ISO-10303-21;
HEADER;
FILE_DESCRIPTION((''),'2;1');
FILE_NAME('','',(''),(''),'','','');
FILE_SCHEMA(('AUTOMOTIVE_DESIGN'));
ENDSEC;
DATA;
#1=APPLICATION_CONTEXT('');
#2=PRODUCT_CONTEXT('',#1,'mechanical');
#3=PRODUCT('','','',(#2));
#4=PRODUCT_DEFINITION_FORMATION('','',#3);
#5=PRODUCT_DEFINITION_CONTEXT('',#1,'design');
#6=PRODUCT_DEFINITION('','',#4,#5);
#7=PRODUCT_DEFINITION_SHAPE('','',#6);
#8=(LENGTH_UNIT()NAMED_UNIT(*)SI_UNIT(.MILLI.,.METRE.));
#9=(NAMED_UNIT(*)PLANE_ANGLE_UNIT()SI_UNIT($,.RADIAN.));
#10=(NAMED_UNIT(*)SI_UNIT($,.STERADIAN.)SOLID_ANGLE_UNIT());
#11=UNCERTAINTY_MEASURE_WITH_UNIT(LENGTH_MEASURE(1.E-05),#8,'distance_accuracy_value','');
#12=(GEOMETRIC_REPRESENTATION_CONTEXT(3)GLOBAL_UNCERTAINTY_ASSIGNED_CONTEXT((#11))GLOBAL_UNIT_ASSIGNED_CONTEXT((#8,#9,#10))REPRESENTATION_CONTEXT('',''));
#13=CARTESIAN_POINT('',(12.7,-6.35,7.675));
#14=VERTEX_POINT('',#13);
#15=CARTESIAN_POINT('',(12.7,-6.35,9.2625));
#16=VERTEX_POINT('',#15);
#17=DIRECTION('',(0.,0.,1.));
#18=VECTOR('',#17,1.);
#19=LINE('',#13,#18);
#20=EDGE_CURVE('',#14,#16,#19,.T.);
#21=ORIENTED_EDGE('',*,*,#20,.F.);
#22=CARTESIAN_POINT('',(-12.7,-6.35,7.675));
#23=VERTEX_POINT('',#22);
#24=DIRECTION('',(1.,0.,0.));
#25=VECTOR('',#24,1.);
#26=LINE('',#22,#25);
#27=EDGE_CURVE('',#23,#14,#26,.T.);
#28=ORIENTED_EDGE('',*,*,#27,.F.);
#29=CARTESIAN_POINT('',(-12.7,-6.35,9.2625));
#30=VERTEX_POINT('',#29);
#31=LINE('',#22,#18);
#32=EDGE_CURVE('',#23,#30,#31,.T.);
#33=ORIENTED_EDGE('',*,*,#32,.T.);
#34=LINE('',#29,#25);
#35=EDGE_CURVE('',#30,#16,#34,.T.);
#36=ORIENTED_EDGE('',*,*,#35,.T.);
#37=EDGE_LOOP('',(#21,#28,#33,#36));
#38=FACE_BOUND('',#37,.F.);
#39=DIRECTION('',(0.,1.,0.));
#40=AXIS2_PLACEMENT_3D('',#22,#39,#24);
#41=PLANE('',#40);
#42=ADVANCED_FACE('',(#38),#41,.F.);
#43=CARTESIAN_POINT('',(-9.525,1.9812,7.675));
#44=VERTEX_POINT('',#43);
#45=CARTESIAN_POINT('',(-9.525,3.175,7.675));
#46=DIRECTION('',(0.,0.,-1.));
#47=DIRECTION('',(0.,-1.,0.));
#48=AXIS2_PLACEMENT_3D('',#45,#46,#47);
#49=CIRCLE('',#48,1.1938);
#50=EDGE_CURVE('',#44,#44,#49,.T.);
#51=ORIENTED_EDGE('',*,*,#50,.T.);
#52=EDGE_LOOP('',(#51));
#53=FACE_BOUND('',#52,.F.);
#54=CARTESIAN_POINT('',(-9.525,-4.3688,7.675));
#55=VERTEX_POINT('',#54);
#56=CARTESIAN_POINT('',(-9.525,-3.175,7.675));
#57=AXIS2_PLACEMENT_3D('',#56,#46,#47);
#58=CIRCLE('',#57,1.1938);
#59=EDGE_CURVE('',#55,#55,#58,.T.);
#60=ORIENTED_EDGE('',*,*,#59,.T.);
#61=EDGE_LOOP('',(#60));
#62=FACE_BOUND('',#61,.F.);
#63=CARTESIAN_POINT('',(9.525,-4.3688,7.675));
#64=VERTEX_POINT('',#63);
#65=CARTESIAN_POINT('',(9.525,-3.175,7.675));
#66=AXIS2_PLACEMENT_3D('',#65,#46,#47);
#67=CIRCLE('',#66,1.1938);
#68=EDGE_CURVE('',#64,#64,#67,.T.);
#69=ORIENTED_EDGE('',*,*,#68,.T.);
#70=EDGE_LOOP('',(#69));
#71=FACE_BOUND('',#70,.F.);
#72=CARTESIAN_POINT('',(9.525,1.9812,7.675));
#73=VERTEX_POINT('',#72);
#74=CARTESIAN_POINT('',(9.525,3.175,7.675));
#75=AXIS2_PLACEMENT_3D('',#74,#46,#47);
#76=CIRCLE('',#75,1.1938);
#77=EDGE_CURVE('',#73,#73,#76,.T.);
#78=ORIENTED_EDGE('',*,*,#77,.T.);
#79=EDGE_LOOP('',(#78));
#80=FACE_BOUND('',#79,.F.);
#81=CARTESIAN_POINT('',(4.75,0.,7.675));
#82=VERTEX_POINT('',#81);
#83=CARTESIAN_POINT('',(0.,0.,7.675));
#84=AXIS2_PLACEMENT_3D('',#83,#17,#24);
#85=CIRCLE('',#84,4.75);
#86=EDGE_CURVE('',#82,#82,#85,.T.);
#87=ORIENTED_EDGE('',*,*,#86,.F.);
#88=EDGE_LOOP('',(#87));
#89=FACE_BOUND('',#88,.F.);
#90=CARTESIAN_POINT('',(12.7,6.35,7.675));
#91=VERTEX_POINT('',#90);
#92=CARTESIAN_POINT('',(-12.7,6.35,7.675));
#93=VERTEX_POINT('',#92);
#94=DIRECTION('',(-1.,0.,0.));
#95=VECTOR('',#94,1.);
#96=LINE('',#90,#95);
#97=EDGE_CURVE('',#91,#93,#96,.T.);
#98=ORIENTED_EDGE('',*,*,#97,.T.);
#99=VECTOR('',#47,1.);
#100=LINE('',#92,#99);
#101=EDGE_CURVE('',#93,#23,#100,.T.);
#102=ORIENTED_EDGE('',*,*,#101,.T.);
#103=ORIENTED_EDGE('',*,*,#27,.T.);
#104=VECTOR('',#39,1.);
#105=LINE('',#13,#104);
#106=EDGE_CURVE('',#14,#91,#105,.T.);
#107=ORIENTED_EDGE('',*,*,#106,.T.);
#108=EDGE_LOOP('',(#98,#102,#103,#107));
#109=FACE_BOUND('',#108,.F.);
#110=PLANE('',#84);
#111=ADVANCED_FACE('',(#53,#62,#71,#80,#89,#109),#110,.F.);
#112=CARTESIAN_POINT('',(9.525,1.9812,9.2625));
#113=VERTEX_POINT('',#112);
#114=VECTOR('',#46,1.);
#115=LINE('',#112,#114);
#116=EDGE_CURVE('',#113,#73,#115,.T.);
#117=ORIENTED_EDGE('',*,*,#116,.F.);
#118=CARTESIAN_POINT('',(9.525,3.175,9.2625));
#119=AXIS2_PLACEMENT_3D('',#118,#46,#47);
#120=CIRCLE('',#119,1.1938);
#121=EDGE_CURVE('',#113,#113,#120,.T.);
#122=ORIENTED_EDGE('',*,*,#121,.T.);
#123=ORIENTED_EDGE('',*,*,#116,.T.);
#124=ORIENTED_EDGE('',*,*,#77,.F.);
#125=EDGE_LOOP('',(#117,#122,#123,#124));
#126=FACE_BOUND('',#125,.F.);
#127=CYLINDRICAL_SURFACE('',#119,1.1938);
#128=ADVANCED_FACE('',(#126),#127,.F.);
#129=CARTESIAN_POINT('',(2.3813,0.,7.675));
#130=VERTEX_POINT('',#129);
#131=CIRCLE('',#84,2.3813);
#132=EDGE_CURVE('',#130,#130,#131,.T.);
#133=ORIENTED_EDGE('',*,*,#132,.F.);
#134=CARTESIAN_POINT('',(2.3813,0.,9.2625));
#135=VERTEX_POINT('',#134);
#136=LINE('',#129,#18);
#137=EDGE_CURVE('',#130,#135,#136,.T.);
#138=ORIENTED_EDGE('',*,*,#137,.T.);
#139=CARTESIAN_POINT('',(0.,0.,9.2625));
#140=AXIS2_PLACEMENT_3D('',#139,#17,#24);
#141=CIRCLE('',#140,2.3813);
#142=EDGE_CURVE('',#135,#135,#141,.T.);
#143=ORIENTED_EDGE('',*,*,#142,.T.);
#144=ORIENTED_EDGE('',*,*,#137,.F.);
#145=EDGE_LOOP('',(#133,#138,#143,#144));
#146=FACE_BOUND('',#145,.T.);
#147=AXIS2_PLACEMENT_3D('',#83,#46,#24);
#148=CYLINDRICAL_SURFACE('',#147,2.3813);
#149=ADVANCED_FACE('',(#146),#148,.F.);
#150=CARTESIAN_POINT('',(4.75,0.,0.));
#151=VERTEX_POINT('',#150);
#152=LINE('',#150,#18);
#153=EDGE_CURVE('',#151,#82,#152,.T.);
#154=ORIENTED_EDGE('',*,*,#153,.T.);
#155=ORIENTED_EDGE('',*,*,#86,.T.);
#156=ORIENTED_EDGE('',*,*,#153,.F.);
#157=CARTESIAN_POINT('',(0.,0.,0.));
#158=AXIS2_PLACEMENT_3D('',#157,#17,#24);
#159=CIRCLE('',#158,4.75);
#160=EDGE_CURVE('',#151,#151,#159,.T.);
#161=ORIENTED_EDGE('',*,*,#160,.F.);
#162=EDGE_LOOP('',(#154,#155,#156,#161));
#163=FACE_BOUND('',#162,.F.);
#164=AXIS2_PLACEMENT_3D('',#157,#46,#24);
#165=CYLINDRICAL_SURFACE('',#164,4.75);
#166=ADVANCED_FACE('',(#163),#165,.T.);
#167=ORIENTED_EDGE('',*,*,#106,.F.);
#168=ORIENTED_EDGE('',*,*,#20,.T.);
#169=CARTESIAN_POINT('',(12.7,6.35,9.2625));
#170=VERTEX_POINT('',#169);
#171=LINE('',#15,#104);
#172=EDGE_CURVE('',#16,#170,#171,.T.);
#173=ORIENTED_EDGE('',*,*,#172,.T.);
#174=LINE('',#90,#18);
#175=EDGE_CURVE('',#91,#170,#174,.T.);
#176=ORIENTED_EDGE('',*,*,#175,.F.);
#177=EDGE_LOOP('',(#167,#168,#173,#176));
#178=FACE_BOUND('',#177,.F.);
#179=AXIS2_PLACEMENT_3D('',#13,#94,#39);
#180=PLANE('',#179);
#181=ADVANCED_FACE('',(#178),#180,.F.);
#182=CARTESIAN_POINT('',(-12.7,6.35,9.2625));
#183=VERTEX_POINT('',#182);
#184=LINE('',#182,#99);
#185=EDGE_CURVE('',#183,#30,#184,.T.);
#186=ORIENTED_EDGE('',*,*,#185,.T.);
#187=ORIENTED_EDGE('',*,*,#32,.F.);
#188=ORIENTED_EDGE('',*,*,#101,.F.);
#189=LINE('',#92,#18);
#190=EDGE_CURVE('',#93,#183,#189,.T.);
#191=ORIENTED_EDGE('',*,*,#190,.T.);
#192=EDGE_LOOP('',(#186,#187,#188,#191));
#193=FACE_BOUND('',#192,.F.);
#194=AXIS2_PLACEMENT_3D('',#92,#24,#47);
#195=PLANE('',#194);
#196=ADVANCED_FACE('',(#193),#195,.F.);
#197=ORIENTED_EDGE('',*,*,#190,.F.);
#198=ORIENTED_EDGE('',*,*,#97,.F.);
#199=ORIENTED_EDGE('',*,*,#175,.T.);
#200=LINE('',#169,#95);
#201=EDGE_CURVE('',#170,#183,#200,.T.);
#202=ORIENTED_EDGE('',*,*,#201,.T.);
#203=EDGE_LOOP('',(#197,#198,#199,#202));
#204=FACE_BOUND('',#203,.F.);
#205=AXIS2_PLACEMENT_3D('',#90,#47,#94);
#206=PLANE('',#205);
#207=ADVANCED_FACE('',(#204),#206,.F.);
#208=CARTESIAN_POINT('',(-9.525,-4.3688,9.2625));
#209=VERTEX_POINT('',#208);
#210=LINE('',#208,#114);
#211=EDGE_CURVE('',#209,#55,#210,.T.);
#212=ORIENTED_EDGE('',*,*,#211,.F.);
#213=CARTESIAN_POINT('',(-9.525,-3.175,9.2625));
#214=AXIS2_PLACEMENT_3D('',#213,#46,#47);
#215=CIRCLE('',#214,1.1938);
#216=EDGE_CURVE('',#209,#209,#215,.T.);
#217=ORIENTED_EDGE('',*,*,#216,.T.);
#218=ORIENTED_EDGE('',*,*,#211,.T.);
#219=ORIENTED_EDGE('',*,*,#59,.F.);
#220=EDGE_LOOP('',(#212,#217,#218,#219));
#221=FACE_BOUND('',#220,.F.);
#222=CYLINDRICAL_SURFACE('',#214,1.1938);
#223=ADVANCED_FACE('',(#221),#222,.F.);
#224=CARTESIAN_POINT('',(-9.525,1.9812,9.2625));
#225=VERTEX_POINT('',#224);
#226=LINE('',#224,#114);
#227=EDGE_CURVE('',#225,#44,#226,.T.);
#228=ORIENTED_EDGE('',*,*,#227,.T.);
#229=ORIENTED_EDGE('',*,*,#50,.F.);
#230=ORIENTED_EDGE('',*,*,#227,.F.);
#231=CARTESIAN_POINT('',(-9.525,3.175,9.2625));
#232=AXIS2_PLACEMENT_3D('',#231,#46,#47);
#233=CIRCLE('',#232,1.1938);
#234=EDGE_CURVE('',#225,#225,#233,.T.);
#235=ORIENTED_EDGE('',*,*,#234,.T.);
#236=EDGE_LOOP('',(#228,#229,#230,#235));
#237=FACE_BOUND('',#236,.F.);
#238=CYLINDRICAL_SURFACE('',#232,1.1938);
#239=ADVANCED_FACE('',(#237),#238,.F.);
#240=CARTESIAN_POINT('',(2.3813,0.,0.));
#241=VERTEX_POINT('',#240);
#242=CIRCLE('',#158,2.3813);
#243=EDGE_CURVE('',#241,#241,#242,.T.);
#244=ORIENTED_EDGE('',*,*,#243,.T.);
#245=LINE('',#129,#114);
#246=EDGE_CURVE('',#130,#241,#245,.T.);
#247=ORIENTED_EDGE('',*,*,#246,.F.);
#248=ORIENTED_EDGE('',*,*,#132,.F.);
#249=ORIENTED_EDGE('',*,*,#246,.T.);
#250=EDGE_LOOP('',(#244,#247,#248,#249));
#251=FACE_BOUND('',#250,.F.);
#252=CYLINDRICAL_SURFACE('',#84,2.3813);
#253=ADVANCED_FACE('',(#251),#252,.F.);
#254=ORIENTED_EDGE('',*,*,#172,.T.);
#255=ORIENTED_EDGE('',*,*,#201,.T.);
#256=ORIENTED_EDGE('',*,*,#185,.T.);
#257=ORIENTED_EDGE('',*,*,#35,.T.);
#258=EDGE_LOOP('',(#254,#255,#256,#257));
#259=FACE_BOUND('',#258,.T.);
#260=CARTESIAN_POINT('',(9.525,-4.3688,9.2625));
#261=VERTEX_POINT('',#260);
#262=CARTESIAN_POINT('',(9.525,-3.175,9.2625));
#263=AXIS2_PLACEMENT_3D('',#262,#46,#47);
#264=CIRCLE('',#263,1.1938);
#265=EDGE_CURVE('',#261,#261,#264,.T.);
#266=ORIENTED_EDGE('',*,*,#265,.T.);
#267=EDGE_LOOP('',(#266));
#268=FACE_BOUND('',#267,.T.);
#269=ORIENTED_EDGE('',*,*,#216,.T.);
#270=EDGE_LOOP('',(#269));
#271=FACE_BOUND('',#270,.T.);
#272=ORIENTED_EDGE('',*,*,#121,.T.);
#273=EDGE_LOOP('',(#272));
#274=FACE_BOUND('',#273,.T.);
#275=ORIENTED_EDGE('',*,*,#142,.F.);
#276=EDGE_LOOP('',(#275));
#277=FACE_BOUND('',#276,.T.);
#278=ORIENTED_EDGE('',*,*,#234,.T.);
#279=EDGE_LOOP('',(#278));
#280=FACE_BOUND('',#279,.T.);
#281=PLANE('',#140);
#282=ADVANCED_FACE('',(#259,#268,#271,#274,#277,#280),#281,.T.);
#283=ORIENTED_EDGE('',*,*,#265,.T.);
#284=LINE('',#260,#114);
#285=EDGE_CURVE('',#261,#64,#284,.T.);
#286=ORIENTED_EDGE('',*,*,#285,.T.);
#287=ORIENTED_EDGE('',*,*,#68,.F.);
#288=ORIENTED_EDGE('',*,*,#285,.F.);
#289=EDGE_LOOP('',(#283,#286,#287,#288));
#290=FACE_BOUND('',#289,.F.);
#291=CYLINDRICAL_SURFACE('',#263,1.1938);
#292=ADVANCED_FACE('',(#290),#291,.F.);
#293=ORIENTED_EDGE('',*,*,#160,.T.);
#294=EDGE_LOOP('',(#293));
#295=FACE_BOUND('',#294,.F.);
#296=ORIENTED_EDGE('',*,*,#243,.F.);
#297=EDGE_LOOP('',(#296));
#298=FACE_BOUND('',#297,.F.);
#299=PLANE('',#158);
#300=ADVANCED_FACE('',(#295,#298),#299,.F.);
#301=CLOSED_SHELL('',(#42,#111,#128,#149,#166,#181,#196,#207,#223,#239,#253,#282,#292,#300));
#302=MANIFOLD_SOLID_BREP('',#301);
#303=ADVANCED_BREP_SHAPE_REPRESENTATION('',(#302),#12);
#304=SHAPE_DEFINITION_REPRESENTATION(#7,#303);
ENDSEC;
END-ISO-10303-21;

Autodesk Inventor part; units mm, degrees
ref_plane "YZ Plane" through (0, 0, 0) normal (1, 0, 0) x (0, 1, 0)
ref_plane "XZ Plane" through (0, 0, 0) normal (0, 1, 0) x (-1, 0, 0)
ref_plane "XY Plane" through (0, 0, 0) normal (0, 0, 1) x (1, 0, 0)
sketch "Sketch1" plane through (0, 0, 0) normal (0, 0, 1) x (1, 0, 0)
  circle A0 centre (0, 0) radius 4.75
  dimension "d0" = 9.5
extrude "Extrusion1" add sketch "Sketch1" along normal blind 7.675
sketch "Sketch2" plane through (0, 0, 7.675) normal (0, 0, 1) x (1, 0, 0)
  circle A0 centre (0, 0) radius 4.75 projected
  circle A1 centre (0, 0) radius 2.3813
  dimension "d3" = 4.7625
extrude "Extrusion2" cut sketch "Sketch2" against normal through all contours A1
sketch "Sketch3" plane through (0, 0, 7.675) normal (0, 0, 1) x (1, 0, 0)
  circle A0 centre (0, 0) radius 2.3813 projected
  line L0 (-12.7, -6.35) -> (12.7, -6.35)
  line L1 (12.7, -6.35) -> (12.7, 6.35)
  line L2 (12.7, 6.35) -> (-12.7, 6.35)
  line L3 (-12.7, 6.35) -> (-12.7, -6.35)
  dimension "d6" = 25.4
  dimension "d7" = 12.7
extrude "Extrusion3" add sketch "Sketch3" along normal blind 1.5875
sketch "Sketch4" plane through (0, 0, 9.2625) normal (0, 0, 1) x (1, 0, 0)
  point P0 (-9.525, -3.175)
  point P1 (-9.525, 3.175)
  point P2 (9.525, 3.175)
  point P3 (9.525, -3.175)
hole "Hole1" at (-9.525, -3.175, 9.2625) at (-9.525, 3.175, 9.2625) at (9.525, 3.175, 9.2625) at (9.525, -3.175, 9.2625) direction (0, 0, -1) diameter 2.3876 end through all clearance for "Flat Head Machine Screw" size "M2" standard "Ansi Metric M Profile"
properties part number "ferrous_insert"
